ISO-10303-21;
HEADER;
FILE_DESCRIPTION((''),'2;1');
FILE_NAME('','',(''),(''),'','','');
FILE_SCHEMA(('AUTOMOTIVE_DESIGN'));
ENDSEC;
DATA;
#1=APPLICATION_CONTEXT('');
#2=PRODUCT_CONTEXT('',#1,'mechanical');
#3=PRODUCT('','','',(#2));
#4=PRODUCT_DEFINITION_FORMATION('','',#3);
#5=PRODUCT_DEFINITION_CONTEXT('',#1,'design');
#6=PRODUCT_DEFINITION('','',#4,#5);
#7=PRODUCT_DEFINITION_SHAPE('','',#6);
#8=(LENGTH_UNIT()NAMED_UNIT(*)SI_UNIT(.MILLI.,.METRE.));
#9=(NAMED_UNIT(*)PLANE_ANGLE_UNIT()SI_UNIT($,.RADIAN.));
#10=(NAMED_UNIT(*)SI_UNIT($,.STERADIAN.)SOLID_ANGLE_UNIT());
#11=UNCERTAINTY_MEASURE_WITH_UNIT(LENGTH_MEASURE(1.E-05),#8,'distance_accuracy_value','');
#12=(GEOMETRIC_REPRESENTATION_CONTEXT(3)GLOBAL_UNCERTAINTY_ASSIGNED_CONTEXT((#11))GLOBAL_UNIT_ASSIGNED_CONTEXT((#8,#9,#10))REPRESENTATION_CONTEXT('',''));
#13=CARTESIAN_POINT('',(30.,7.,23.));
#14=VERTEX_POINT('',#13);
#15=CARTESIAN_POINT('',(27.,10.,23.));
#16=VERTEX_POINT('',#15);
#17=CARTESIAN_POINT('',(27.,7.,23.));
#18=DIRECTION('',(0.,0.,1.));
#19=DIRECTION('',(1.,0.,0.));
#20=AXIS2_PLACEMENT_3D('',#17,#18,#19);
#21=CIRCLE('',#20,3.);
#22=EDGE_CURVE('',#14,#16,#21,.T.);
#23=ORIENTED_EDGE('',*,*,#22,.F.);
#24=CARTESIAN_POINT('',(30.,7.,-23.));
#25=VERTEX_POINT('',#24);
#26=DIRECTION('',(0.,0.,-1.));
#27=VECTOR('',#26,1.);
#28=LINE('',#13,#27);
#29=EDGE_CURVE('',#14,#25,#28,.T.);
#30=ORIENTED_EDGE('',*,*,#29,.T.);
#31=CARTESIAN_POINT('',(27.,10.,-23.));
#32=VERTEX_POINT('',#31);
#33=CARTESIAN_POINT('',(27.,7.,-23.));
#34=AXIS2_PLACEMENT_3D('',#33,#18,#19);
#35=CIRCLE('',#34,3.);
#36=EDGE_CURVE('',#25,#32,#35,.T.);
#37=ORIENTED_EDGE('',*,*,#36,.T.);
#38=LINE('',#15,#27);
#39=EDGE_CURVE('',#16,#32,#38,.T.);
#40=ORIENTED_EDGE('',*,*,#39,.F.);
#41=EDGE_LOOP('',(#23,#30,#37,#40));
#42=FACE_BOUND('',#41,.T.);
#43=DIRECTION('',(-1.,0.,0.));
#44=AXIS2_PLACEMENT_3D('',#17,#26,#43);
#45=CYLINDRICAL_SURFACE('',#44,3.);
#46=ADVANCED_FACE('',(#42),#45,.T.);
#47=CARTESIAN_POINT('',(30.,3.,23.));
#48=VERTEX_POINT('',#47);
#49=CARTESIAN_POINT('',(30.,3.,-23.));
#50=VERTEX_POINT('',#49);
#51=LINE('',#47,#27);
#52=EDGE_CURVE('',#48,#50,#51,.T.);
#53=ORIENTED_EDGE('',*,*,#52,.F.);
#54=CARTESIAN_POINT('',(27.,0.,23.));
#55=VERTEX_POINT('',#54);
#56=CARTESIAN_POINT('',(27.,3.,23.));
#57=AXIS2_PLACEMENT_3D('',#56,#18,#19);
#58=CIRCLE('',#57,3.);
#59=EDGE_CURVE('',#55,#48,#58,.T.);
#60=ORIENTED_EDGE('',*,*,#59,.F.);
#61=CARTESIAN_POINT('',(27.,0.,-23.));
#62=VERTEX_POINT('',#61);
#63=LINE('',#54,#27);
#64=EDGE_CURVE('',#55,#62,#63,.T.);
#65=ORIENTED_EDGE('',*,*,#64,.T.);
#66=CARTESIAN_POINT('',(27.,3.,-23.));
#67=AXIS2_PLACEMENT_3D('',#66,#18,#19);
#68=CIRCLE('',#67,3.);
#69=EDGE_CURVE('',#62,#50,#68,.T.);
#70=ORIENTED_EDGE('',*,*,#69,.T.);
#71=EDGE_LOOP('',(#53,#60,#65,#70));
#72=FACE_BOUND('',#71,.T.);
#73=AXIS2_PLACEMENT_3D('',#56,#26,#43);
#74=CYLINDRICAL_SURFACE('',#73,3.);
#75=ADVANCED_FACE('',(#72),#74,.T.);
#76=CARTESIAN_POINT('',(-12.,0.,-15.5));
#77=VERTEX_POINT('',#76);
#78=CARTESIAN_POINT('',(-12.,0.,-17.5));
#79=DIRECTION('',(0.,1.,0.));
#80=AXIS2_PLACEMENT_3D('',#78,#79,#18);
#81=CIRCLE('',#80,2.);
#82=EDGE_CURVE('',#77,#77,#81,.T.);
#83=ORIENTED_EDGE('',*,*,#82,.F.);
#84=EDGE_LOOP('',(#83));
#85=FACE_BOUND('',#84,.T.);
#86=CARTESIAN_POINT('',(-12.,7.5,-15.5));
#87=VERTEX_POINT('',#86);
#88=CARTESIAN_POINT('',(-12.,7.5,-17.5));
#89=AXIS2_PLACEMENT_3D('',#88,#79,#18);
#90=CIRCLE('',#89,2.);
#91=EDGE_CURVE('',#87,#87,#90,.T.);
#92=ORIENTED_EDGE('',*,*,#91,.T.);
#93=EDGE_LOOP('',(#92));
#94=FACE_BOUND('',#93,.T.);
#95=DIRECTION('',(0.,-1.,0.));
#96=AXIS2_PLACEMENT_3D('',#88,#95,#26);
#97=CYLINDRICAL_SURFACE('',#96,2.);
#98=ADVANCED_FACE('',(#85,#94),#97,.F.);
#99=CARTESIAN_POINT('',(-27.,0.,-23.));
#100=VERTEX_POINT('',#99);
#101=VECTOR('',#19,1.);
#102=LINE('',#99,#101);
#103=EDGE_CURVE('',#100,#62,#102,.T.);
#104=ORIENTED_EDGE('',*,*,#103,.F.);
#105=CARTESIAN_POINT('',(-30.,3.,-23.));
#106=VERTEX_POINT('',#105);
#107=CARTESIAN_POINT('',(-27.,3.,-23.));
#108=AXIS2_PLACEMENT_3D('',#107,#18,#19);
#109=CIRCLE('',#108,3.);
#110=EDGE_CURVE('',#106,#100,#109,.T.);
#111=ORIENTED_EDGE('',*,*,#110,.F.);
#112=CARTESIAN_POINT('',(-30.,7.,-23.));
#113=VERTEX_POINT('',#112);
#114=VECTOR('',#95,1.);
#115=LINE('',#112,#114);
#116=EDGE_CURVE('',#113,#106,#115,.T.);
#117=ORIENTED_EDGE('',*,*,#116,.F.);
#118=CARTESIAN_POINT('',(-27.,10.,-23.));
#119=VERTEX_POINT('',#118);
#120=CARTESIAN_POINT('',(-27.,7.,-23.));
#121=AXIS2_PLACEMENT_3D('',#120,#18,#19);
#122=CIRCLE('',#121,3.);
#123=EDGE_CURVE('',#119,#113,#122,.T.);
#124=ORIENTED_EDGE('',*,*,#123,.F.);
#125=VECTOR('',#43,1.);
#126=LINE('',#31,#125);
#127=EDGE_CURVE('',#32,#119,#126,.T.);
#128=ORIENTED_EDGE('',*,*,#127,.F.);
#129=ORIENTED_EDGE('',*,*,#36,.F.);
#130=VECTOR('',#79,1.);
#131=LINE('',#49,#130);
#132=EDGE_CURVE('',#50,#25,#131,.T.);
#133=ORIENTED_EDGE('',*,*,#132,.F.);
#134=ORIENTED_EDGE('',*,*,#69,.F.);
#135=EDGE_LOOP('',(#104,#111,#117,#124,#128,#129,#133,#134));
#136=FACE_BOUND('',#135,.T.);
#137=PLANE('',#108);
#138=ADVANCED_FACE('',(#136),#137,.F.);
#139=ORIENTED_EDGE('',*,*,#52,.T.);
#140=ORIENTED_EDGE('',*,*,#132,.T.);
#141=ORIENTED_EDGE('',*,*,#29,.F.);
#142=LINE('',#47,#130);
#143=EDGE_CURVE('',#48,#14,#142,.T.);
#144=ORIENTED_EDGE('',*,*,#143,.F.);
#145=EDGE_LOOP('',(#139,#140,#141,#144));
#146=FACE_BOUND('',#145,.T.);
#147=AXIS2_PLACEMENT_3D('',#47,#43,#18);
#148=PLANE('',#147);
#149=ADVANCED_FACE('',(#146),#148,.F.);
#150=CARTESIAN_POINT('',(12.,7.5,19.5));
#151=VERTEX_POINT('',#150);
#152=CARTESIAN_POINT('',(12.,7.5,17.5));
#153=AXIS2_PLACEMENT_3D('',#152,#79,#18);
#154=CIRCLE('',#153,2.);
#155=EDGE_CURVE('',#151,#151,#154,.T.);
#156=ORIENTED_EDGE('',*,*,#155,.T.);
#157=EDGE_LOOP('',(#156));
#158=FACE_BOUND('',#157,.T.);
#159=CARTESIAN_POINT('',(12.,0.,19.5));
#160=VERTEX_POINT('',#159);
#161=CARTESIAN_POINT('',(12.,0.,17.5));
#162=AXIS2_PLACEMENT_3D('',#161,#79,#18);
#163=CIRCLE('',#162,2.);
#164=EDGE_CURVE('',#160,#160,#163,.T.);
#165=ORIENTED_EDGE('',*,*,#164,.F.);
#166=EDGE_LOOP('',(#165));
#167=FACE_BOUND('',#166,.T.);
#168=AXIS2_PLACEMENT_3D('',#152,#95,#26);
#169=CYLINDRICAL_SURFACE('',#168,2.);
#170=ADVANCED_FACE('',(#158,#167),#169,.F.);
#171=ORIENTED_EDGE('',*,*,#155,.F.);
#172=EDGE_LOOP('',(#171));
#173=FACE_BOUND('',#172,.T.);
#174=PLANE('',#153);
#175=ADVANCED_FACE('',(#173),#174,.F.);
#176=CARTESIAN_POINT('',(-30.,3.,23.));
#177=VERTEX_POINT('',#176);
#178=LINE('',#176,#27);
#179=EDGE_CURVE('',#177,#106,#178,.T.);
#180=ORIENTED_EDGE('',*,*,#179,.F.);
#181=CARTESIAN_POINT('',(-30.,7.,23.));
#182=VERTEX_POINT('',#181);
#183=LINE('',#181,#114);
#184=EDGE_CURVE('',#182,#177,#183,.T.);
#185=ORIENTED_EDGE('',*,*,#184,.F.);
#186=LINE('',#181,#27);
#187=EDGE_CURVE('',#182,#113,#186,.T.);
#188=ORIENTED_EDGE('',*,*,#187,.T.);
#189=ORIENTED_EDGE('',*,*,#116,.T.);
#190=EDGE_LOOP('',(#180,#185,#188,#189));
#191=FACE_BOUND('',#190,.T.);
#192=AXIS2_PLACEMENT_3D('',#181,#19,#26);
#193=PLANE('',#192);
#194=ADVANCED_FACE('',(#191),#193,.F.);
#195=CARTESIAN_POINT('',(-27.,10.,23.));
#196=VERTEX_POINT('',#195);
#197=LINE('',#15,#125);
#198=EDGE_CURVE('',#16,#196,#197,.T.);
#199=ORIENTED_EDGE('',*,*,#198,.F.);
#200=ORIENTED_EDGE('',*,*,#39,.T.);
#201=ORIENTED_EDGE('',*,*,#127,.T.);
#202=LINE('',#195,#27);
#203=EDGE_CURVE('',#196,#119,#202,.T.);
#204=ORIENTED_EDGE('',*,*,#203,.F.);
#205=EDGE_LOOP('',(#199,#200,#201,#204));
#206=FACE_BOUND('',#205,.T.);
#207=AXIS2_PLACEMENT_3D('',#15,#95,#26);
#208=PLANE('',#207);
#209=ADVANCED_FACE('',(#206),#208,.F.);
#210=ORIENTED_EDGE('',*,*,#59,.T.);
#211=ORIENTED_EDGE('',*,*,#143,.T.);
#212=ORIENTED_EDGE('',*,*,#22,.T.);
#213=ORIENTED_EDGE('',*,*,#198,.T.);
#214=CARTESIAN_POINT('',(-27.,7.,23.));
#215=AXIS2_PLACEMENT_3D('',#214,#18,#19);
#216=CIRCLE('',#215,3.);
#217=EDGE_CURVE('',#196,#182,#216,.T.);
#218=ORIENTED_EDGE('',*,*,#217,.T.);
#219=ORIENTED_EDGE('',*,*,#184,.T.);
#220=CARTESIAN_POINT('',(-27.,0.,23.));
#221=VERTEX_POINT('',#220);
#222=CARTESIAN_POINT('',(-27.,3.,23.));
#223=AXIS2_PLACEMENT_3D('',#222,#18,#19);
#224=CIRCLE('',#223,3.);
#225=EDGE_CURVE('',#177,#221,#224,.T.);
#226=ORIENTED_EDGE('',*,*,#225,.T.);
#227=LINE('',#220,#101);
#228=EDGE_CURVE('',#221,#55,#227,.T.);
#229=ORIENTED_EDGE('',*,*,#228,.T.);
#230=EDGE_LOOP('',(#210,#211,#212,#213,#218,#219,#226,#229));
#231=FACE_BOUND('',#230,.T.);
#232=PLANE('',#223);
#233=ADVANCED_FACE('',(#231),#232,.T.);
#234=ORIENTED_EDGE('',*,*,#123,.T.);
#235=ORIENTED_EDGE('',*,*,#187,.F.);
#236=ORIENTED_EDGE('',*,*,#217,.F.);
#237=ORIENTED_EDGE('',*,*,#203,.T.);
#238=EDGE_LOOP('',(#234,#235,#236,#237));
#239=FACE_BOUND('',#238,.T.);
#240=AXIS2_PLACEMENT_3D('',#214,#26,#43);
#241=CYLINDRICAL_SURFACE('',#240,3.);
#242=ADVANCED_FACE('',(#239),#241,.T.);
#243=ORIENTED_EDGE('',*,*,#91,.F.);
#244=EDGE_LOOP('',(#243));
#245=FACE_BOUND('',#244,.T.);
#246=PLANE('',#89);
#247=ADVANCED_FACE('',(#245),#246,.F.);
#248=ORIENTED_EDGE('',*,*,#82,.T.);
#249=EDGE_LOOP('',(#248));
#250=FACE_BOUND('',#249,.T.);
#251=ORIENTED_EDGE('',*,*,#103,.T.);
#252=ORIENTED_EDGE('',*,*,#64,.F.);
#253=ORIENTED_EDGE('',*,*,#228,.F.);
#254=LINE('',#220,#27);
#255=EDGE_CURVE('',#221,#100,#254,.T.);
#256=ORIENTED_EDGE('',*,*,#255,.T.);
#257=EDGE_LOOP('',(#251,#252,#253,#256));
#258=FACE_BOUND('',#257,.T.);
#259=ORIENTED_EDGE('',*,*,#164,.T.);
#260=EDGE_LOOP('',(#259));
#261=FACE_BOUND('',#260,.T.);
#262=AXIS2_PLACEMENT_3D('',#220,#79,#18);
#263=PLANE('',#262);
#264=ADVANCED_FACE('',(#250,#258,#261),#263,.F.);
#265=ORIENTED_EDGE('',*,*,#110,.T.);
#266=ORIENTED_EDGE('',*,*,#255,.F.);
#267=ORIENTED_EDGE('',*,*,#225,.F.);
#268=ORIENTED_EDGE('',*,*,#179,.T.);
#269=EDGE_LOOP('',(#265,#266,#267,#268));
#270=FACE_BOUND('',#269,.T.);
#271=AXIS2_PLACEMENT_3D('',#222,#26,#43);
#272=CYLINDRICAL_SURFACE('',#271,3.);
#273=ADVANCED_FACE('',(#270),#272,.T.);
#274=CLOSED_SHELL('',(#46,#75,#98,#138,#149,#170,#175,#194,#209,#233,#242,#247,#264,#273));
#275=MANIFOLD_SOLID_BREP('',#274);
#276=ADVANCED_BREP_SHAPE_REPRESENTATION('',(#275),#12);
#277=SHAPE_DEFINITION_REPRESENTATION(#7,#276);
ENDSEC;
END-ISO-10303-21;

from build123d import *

# Parameters (mm, degrees)
BOSS_EXTRUDE1_DEPTH = 23
SKETCH2_R           = 2
CUT_EXTRUDE1_DEPTH  = 7.5


with BuildPart() as part:
    # Sketch1 → Boss-Extrude1 (new, symmetric)
    with BuildSketch(Plane.XY):
        with BuildLine():
            Line((-27, 0), (27, 0))
            ThreePointArc((27, 0), (29.121320344, 0.878679656), (30, 3))
            Line((30, 3), (30, 7))
            ThreePointArc((30, 7), (29.121320344, 9.121320344), (27, 10))
            Line((27, 10), (-27, 10))
            ThreePointArc((-27, 10), (-29.121320344, 9.121320344), (-30, 7))
            Line((-30, 7), (-30, 3))
            ThreePointArc((-30, 3), (-29.121320344, 0.878679656), (-27, 0))
        make_face()
    extrude(amount=BOSS_EXTRUDE1_DEPTH, both=True)

    # Sketch2 → Cut-Extrude1 (cut)
    with BuildSketch(Plane(origin=(0, 0, 0), x_dir=(1, 0, 0), z_dir=(0, 1, 0))):
        with Locations(Location((12, -17.5, 0), (0, 0, 270))):
            Circle(SKETCH2_R)
        with Locations(Location((-12, 17.5, 0), (0, 0, 270))):
            Circle(SKETCH2_R)
    extrude(amount=CUT_EXTRUDE1_DEPTH, mode=Mode.SUBTRACT)


solid = part.part
